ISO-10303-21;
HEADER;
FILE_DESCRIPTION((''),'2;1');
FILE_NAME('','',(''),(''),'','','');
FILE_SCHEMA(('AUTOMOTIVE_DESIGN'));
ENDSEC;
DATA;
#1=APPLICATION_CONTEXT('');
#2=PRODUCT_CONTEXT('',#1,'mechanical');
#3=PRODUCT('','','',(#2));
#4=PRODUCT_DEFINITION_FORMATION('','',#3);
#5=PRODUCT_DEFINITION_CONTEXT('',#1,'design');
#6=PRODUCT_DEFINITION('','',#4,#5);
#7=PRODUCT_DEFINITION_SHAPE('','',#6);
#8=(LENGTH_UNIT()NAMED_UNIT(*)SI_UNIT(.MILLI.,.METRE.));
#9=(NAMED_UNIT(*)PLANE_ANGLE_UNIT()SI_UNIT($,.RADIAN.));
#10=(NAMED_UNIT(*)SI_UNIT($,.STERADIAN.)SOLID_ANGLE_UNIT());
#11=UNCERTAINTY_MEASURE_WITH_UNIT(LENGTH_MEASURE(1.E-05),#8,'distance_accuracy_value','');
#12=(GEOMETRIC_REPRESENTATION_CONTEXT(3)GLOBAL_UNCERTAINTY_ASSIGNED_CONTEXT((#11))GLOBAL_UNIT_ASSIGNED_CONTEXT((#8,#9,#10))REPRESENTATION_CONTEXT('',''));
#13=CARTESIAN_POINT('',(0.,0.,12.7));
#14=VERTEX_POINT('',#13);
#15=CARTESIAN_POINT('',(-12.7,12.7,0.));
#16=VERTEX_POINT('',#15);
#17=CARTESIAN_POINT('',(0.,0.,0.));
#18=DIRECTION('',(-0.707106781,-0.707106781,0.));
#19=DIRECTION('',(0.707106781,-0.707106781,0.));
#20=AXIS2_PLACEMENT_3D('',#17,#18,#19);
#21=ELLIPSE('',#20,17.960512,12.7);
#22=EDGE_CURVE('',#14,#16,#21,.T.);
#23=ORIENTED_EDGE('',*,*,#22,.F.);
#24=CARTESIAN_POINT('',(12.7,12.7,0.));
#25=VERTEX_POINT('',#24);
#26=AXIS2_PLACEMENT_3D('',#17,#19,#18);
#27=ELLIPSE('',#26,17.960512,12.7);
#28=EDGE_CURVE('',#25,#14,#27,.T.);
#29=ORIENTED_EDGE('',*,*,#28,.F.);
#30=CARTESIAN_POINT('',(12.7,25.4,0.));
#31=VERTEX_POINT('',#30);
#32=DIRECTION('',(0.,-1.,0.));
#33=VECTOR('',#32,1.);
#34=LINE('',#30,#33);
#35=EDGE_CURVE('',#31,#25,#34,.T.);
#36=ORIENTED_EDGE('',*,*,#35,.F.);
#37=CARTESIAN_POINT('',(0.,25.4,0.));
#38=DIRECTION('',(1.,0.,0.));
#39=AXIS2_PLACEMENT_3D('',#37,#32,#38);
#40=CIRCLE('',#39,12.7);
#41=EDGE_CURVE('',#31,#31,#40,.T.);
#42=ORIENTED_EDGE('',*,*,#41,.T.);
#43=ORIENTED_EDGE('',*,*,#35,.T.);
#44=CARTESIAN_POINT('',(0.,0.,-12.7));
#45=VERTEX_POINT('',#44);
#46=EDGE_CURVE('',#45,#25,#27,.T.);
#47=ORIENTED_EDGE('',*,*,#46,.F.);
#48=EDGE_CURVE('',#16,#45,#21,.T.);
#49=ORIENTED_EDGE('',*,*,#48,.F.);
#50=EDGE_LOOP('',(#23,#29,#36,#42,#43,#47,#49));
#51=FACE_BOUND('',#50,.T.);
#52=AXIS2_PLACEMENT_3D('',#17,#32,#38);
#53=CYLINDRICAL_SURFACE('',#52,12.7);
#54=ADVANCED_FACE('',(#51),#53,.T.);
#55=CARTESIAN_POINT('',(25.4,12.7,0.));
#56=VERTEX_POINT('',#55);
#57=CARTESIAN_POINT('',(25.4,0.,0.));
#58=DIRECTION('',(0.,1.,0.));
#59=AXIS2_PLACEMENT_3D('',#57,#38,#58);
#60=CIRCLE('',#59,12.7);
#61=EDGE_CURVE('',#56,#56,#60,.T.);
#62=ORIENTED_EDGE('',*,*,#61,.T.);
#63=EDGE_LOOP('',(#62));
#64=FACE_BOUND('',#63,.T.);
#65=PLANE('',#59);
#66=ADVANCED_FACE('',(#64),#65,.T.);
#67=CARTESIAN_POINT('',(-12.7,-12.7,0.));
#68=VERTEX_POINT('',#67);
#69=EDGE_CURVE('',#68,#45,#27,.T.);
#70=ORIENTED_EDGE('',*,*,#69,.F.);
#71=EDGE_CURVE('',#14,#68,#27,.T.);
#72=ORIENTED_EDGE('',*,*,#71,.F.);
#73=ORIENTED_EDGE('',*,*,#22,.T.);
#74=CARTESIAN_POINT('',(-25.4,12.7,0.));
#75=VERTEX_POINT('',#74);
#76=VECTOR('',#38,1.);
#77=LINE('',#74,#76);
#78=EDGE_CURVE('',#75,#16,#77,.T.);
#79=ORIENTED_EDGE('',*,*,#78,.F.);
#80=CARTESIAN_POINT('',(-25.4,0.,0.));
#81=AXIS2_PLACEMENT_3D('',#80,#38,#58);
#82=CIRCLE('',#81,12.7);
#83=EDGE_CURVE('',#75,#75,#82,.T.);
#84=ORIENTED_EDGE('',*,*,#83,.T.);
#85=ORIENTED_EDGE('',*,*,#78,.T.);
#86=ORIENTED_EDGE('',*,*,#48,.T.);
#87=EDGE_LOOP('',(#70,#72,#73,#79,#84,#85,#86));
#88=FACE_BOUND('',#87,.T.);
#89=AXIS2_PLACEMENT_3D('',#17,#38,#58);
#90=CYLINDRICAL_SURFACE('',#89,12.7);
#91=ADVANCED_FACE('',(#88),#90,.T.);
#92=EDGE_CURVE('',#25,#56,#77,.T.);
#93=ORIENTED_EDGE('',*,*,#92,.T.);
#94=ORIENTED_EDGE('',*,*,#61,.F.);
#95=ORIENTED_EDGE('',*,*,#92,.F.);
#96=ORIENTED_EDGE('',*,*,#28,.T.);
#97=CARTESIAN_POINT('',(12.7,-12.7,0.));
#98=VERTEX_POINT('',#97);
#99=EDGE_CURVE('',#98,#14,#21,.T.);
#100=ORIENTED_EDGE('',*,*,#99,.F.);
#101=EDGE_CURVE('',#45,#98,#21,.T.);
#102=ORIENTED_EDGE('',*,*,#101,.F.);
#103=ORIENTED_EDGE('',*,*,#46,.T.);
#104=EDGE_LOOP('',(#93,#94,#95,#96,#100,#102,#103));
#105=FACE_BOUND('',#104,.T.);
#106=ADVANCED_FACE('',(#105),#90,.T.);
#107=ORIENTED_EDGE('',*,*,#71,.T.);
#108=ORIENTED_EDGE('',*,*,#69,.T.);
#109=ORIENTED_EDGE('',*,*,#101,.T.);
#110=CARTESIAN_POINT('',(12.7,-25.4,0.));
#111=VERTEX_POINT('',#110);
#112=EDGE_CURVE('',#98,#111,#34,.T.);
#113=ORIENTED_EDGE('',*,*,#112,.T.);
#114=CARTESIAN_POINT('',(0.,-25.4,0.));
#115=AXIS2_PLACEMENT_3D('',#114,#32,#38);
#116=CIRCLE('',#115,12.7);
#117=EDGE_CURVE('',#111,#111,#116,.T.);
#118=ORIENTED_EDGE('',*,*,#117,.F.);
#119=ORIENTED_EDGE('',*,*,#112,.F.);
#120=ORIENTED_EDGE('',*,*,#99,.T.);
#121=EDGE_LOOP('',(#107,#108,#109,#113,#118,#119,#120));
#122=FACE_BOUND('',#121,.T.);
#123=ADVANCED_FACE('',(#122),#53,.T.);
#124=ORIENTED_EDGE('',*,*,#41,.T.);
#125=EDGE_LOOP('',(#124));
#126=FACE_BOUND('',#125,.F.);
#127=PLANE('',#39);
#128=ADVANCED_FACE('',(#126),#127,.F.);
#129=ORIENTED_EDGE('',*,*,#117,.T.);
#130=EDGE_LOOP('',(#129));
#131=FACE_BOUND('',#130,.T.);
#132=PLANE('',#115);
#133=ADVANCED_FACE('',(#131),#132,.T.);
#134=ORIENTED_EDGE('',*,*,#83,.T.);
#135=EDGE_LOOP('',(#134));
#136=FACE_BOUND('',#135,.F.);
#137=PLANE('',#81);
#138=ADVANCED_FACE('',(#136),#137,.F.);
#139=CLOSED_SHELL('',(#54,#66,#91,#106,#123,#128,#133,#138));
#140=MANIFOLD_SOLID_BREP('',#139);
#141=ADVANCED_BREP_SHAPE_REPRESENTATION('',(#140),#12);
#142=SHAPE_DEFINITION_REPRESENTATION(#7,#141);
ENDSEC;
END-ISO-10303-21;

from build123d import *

# Parameters (mm, degrees)
F0_R     = 12.7
F1_DEPTH = 25.4
F2_R     = 12.7
F3_DEPTH = 25.4


with BuildPart() as f1:
    # F0 (on Front) → F1 (new body, symmetric)
    with BuildSketch(Plane.XZ):
        Circle(F0_R)
    extrude(amount=F1_DEPTH, both=True)

    # F2 (on Right) → F3 (join, symmetric)
    with BuildSketch(Plane.YZ):
        Circle(F2_R)
    extrude(amount=F3_DEPTH, both=True)


solid = f1.part
